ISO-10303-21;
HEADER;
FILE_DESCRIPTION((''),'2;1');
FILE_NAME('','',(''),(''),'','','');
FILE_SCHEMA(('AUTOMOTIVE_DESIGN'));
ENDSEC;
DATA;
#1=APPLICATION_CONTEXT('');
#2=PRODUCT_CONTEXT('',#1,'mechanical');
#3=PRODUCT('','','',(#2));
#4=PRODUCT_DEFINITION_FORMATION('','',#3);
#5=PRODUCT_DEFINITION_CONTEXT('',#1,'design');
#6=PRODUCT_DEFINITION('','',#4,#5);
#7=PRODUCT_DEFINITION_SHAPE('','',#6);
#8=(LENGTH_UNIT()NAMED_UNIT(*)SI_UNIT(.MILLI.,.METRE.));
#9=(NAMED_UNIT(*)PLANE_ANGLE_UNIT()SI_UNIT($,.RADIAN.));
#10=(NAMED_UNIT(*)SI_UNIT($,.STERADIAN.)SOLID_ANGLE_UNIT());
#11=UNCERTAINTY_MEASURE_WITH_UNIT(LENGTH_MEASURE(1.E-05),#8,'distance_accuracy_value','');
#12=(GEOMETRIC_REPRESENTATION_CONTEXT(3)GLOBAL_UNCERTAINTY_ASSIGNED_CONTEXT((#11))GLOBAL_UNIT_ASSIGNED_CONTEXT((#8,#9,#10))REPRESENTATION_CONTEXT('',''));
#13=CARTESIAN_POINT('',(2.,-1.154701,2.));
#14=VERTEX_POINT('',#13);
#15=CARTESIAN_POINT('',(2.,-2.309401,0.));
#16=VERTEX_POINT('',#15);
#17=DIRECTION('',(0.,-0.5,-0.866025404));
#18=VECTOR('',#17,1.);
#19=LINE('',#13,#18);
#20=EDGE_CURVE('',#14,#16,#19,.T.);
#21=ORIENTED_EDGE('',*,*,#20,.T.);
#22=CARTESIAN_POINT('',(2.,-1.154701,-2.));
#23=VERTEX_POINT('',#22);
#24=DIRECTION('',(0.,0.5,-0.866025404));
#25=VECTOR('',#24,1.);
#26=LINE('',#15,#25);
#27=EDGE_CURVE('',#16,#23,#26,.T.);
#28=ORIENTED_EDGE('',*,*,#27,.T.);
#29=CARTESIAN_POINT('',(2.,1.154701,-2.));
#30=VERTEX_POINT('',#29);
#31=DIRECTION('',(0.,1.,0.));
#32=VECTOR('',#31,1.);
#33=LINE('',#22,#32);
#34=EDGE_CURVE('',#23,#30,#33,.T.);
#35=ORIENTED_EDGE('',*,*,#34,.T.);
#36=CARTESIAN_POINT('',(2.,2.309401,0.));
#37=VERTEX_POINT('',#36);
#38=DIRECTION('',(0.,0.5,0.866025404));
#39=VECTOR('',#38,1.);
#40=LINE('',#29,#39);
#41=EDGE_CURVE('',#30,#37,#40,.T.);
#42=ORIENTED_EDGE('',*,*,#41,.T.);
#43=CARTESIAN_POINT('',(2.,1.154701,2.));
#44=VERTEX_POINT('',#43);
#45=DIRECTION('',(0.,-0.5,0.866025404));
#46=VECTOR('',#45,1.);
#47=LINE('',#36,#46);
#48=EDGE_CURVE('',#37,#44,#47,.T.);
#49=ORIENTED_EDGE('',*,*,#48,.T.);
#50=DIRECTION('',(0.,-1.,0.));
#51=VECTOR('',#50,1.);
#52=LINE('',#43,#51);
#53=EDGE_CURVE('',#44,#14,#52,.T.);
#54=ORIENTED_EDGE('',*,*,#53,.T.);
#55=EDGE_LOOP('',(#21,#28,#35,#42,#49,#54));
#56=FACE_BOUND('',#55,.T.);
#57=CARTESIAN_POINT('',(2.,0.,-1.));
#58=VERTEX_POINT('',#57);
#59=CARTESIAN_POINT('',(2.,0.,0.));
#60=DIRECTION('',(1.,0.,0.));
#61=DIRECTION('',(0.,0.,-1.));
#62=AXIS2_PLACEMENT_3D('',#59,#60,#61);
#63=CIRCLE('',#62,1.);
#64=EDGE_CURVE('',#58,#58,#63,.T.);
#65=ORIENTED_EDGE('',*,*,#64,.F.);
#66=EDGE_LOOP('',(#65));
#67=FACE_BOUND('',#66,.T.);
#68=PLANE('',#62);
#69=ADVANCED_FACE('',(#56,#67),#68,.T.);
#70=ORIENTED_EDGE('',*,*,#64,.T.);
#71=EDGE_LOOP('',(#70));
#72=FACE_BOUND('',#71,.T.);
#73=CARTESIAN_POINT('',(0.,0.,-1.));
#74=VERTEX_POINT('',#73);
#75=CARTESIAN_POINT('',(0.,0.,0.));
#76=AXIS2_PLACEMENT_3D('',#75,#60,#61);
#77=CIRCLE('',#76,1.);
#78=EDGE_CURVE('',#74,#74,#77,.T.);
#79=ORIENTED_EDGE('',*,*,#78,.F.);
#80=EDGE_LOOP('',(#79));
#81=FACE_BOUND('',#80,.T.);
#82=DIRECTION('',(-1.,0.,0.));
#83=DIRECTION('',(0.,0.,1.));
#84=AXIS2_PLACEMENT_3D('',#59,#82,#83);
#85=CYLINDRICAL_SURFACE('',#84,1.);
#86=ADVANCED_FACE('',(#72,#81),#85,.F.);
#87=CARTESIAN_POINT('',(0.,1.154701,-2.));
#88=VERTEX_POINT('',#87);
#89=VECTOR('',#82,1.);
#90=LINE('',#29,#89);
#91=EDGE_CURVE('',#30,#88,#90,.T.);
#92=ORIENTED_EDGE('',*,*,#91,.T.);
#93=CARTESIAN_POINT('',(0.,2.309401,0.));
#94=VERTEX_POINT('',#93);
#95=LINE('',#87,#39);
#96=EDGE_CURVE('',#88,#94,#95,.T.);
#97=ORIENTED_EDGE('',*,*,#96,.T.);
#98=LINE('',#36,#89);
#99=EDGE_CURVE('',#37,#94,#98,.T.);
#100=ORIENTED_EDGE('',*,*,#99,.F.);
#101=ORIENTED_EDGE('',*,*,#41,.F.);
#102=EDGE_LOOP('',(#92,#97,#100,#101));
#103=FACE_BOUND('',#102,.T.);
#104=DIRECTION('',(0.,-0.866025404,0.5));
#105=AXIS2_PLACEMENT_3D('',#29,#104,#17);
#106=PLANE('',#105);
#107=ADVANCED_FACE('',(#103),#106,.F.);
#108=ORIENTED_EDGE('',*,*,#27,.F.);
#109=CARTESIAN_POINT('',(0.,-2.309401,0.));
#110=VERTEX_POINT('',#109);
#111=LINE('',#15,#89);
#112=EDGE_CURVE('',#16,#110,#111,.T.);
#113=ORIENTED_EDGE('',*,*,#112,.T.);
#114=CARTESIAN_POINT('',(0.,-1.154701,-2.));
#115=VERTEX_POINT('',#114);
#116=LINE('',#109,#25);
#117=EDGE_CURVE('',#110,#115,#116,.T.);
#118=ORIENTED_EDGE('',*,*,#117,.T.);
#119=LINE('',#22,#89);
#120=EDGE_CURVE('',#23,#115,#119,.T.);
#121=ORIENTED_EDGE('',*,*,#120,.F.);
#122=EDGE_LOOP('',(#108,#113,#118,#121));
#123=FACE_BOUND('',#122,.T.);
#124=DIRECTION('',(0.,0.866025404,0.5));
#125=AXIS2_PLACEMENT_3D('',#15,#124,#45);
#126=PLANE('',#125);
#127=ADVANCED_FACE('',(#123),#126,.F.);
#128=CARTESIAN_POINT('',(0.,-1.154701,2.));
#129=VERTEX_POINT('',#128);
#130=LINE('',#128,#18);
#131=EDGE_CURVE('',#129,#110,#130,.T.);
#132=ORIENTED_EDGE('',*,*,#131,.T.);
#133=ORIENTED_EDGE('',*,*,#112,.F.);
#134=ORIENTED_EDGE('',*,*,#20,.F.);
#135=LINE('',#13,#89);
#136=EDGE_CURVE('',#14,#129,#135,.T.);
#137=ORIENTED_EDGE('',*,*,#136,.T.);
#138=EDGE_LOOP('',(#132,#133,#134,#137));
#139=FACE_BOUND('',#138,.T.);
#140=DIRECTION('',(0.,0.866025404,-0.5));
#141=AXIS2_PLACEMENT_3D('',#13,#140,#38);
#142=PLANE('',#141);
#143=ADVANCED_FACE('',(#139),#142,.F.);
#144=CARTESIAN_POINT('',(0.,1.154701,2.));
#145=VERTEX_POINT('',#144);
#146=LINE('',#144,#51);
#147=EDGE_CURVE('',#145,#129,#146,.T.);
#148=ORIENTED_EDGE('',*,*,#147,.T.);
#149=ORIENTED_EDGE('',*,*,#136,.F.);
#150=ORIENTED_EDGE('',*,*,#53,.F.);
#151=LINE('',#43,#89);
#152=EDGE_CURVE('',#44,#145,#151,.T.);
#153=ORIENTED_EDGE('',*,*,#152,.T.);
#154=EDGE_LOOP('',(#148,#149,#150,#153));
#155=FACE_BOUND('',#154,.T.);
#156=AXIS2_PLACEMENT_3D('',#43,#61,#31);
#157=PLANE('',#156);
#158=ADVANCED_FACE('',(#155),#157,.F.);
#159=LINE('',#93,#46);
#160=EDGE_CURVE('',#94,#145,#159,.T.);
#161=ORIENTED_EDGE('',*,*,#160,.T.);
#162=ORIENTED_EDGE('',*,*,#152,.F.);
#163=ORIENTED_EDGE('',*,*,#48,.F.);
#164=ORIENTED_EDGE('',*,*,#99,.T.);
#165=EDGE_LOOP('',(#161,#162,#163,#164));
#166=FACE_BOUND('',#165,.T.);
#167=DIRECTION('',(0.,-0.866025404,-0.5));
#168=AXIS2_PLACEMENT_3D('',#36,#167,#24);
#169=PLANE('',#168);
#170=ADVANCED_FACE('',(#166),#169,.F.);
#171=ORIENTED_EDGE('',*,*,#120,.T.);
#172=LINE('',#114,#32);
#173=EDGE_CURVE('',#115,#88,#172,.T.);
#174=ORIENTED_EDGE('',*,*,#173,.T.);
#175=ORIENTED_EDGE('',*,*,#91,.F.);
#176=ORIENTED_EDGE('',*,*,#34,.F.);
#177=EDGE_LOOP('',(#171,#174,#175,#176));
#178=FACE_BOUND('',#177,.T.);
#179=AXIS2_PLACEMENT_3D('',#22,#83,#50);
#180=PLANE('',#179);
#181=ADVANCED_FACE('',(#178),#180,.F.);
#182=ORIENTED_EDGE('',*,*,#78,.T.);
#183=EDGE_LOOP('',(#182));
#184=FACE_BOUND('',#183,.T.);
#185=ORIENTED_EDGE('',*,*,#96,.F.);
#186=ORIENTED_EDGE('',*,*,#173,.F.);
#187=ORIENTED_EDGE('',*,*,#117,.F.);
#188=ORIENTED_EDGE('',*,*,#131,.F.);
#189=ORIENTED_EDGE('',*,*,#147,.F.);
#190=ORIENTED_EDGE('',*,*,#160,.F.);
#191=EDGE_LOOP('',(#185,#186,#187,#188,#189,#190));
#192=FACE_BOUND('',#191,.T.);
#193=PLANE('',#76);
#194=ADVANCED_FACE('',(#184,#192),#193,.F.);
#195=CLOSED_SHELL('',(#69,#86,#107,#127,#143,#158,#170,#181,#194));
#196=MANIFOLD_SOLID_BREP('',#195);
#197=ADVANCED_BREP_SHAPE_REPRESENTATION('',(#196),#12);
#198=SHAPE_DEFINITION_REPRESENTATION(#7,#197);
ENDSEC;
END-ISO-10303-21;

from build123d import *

# Parameters (mm, degrees)
SKETCH_2_R      = 1
EXTRUDE_1_DEPTH = 2


with BuildPart() as part:
    # 草图2 → 凸台-拉伸1 (new body)
    with BuildSketch(Plane(origin=(0, 0, 0), x_dir=(0, 0, -1), z_dir=(1, 0, 0))):
        Polygon((0, 2.309401077), (-2, 1.154700538), (-2, -1.154700538), (0, -2.309401077), (2, -1.154700538), (2, 1.154700538), align=None)
        Circle(SKETCH_2_R, mode=Mode.SUBTRACT)
    extrude(amount=EXTRUDE_1_DEPTH)


solid = part.part
